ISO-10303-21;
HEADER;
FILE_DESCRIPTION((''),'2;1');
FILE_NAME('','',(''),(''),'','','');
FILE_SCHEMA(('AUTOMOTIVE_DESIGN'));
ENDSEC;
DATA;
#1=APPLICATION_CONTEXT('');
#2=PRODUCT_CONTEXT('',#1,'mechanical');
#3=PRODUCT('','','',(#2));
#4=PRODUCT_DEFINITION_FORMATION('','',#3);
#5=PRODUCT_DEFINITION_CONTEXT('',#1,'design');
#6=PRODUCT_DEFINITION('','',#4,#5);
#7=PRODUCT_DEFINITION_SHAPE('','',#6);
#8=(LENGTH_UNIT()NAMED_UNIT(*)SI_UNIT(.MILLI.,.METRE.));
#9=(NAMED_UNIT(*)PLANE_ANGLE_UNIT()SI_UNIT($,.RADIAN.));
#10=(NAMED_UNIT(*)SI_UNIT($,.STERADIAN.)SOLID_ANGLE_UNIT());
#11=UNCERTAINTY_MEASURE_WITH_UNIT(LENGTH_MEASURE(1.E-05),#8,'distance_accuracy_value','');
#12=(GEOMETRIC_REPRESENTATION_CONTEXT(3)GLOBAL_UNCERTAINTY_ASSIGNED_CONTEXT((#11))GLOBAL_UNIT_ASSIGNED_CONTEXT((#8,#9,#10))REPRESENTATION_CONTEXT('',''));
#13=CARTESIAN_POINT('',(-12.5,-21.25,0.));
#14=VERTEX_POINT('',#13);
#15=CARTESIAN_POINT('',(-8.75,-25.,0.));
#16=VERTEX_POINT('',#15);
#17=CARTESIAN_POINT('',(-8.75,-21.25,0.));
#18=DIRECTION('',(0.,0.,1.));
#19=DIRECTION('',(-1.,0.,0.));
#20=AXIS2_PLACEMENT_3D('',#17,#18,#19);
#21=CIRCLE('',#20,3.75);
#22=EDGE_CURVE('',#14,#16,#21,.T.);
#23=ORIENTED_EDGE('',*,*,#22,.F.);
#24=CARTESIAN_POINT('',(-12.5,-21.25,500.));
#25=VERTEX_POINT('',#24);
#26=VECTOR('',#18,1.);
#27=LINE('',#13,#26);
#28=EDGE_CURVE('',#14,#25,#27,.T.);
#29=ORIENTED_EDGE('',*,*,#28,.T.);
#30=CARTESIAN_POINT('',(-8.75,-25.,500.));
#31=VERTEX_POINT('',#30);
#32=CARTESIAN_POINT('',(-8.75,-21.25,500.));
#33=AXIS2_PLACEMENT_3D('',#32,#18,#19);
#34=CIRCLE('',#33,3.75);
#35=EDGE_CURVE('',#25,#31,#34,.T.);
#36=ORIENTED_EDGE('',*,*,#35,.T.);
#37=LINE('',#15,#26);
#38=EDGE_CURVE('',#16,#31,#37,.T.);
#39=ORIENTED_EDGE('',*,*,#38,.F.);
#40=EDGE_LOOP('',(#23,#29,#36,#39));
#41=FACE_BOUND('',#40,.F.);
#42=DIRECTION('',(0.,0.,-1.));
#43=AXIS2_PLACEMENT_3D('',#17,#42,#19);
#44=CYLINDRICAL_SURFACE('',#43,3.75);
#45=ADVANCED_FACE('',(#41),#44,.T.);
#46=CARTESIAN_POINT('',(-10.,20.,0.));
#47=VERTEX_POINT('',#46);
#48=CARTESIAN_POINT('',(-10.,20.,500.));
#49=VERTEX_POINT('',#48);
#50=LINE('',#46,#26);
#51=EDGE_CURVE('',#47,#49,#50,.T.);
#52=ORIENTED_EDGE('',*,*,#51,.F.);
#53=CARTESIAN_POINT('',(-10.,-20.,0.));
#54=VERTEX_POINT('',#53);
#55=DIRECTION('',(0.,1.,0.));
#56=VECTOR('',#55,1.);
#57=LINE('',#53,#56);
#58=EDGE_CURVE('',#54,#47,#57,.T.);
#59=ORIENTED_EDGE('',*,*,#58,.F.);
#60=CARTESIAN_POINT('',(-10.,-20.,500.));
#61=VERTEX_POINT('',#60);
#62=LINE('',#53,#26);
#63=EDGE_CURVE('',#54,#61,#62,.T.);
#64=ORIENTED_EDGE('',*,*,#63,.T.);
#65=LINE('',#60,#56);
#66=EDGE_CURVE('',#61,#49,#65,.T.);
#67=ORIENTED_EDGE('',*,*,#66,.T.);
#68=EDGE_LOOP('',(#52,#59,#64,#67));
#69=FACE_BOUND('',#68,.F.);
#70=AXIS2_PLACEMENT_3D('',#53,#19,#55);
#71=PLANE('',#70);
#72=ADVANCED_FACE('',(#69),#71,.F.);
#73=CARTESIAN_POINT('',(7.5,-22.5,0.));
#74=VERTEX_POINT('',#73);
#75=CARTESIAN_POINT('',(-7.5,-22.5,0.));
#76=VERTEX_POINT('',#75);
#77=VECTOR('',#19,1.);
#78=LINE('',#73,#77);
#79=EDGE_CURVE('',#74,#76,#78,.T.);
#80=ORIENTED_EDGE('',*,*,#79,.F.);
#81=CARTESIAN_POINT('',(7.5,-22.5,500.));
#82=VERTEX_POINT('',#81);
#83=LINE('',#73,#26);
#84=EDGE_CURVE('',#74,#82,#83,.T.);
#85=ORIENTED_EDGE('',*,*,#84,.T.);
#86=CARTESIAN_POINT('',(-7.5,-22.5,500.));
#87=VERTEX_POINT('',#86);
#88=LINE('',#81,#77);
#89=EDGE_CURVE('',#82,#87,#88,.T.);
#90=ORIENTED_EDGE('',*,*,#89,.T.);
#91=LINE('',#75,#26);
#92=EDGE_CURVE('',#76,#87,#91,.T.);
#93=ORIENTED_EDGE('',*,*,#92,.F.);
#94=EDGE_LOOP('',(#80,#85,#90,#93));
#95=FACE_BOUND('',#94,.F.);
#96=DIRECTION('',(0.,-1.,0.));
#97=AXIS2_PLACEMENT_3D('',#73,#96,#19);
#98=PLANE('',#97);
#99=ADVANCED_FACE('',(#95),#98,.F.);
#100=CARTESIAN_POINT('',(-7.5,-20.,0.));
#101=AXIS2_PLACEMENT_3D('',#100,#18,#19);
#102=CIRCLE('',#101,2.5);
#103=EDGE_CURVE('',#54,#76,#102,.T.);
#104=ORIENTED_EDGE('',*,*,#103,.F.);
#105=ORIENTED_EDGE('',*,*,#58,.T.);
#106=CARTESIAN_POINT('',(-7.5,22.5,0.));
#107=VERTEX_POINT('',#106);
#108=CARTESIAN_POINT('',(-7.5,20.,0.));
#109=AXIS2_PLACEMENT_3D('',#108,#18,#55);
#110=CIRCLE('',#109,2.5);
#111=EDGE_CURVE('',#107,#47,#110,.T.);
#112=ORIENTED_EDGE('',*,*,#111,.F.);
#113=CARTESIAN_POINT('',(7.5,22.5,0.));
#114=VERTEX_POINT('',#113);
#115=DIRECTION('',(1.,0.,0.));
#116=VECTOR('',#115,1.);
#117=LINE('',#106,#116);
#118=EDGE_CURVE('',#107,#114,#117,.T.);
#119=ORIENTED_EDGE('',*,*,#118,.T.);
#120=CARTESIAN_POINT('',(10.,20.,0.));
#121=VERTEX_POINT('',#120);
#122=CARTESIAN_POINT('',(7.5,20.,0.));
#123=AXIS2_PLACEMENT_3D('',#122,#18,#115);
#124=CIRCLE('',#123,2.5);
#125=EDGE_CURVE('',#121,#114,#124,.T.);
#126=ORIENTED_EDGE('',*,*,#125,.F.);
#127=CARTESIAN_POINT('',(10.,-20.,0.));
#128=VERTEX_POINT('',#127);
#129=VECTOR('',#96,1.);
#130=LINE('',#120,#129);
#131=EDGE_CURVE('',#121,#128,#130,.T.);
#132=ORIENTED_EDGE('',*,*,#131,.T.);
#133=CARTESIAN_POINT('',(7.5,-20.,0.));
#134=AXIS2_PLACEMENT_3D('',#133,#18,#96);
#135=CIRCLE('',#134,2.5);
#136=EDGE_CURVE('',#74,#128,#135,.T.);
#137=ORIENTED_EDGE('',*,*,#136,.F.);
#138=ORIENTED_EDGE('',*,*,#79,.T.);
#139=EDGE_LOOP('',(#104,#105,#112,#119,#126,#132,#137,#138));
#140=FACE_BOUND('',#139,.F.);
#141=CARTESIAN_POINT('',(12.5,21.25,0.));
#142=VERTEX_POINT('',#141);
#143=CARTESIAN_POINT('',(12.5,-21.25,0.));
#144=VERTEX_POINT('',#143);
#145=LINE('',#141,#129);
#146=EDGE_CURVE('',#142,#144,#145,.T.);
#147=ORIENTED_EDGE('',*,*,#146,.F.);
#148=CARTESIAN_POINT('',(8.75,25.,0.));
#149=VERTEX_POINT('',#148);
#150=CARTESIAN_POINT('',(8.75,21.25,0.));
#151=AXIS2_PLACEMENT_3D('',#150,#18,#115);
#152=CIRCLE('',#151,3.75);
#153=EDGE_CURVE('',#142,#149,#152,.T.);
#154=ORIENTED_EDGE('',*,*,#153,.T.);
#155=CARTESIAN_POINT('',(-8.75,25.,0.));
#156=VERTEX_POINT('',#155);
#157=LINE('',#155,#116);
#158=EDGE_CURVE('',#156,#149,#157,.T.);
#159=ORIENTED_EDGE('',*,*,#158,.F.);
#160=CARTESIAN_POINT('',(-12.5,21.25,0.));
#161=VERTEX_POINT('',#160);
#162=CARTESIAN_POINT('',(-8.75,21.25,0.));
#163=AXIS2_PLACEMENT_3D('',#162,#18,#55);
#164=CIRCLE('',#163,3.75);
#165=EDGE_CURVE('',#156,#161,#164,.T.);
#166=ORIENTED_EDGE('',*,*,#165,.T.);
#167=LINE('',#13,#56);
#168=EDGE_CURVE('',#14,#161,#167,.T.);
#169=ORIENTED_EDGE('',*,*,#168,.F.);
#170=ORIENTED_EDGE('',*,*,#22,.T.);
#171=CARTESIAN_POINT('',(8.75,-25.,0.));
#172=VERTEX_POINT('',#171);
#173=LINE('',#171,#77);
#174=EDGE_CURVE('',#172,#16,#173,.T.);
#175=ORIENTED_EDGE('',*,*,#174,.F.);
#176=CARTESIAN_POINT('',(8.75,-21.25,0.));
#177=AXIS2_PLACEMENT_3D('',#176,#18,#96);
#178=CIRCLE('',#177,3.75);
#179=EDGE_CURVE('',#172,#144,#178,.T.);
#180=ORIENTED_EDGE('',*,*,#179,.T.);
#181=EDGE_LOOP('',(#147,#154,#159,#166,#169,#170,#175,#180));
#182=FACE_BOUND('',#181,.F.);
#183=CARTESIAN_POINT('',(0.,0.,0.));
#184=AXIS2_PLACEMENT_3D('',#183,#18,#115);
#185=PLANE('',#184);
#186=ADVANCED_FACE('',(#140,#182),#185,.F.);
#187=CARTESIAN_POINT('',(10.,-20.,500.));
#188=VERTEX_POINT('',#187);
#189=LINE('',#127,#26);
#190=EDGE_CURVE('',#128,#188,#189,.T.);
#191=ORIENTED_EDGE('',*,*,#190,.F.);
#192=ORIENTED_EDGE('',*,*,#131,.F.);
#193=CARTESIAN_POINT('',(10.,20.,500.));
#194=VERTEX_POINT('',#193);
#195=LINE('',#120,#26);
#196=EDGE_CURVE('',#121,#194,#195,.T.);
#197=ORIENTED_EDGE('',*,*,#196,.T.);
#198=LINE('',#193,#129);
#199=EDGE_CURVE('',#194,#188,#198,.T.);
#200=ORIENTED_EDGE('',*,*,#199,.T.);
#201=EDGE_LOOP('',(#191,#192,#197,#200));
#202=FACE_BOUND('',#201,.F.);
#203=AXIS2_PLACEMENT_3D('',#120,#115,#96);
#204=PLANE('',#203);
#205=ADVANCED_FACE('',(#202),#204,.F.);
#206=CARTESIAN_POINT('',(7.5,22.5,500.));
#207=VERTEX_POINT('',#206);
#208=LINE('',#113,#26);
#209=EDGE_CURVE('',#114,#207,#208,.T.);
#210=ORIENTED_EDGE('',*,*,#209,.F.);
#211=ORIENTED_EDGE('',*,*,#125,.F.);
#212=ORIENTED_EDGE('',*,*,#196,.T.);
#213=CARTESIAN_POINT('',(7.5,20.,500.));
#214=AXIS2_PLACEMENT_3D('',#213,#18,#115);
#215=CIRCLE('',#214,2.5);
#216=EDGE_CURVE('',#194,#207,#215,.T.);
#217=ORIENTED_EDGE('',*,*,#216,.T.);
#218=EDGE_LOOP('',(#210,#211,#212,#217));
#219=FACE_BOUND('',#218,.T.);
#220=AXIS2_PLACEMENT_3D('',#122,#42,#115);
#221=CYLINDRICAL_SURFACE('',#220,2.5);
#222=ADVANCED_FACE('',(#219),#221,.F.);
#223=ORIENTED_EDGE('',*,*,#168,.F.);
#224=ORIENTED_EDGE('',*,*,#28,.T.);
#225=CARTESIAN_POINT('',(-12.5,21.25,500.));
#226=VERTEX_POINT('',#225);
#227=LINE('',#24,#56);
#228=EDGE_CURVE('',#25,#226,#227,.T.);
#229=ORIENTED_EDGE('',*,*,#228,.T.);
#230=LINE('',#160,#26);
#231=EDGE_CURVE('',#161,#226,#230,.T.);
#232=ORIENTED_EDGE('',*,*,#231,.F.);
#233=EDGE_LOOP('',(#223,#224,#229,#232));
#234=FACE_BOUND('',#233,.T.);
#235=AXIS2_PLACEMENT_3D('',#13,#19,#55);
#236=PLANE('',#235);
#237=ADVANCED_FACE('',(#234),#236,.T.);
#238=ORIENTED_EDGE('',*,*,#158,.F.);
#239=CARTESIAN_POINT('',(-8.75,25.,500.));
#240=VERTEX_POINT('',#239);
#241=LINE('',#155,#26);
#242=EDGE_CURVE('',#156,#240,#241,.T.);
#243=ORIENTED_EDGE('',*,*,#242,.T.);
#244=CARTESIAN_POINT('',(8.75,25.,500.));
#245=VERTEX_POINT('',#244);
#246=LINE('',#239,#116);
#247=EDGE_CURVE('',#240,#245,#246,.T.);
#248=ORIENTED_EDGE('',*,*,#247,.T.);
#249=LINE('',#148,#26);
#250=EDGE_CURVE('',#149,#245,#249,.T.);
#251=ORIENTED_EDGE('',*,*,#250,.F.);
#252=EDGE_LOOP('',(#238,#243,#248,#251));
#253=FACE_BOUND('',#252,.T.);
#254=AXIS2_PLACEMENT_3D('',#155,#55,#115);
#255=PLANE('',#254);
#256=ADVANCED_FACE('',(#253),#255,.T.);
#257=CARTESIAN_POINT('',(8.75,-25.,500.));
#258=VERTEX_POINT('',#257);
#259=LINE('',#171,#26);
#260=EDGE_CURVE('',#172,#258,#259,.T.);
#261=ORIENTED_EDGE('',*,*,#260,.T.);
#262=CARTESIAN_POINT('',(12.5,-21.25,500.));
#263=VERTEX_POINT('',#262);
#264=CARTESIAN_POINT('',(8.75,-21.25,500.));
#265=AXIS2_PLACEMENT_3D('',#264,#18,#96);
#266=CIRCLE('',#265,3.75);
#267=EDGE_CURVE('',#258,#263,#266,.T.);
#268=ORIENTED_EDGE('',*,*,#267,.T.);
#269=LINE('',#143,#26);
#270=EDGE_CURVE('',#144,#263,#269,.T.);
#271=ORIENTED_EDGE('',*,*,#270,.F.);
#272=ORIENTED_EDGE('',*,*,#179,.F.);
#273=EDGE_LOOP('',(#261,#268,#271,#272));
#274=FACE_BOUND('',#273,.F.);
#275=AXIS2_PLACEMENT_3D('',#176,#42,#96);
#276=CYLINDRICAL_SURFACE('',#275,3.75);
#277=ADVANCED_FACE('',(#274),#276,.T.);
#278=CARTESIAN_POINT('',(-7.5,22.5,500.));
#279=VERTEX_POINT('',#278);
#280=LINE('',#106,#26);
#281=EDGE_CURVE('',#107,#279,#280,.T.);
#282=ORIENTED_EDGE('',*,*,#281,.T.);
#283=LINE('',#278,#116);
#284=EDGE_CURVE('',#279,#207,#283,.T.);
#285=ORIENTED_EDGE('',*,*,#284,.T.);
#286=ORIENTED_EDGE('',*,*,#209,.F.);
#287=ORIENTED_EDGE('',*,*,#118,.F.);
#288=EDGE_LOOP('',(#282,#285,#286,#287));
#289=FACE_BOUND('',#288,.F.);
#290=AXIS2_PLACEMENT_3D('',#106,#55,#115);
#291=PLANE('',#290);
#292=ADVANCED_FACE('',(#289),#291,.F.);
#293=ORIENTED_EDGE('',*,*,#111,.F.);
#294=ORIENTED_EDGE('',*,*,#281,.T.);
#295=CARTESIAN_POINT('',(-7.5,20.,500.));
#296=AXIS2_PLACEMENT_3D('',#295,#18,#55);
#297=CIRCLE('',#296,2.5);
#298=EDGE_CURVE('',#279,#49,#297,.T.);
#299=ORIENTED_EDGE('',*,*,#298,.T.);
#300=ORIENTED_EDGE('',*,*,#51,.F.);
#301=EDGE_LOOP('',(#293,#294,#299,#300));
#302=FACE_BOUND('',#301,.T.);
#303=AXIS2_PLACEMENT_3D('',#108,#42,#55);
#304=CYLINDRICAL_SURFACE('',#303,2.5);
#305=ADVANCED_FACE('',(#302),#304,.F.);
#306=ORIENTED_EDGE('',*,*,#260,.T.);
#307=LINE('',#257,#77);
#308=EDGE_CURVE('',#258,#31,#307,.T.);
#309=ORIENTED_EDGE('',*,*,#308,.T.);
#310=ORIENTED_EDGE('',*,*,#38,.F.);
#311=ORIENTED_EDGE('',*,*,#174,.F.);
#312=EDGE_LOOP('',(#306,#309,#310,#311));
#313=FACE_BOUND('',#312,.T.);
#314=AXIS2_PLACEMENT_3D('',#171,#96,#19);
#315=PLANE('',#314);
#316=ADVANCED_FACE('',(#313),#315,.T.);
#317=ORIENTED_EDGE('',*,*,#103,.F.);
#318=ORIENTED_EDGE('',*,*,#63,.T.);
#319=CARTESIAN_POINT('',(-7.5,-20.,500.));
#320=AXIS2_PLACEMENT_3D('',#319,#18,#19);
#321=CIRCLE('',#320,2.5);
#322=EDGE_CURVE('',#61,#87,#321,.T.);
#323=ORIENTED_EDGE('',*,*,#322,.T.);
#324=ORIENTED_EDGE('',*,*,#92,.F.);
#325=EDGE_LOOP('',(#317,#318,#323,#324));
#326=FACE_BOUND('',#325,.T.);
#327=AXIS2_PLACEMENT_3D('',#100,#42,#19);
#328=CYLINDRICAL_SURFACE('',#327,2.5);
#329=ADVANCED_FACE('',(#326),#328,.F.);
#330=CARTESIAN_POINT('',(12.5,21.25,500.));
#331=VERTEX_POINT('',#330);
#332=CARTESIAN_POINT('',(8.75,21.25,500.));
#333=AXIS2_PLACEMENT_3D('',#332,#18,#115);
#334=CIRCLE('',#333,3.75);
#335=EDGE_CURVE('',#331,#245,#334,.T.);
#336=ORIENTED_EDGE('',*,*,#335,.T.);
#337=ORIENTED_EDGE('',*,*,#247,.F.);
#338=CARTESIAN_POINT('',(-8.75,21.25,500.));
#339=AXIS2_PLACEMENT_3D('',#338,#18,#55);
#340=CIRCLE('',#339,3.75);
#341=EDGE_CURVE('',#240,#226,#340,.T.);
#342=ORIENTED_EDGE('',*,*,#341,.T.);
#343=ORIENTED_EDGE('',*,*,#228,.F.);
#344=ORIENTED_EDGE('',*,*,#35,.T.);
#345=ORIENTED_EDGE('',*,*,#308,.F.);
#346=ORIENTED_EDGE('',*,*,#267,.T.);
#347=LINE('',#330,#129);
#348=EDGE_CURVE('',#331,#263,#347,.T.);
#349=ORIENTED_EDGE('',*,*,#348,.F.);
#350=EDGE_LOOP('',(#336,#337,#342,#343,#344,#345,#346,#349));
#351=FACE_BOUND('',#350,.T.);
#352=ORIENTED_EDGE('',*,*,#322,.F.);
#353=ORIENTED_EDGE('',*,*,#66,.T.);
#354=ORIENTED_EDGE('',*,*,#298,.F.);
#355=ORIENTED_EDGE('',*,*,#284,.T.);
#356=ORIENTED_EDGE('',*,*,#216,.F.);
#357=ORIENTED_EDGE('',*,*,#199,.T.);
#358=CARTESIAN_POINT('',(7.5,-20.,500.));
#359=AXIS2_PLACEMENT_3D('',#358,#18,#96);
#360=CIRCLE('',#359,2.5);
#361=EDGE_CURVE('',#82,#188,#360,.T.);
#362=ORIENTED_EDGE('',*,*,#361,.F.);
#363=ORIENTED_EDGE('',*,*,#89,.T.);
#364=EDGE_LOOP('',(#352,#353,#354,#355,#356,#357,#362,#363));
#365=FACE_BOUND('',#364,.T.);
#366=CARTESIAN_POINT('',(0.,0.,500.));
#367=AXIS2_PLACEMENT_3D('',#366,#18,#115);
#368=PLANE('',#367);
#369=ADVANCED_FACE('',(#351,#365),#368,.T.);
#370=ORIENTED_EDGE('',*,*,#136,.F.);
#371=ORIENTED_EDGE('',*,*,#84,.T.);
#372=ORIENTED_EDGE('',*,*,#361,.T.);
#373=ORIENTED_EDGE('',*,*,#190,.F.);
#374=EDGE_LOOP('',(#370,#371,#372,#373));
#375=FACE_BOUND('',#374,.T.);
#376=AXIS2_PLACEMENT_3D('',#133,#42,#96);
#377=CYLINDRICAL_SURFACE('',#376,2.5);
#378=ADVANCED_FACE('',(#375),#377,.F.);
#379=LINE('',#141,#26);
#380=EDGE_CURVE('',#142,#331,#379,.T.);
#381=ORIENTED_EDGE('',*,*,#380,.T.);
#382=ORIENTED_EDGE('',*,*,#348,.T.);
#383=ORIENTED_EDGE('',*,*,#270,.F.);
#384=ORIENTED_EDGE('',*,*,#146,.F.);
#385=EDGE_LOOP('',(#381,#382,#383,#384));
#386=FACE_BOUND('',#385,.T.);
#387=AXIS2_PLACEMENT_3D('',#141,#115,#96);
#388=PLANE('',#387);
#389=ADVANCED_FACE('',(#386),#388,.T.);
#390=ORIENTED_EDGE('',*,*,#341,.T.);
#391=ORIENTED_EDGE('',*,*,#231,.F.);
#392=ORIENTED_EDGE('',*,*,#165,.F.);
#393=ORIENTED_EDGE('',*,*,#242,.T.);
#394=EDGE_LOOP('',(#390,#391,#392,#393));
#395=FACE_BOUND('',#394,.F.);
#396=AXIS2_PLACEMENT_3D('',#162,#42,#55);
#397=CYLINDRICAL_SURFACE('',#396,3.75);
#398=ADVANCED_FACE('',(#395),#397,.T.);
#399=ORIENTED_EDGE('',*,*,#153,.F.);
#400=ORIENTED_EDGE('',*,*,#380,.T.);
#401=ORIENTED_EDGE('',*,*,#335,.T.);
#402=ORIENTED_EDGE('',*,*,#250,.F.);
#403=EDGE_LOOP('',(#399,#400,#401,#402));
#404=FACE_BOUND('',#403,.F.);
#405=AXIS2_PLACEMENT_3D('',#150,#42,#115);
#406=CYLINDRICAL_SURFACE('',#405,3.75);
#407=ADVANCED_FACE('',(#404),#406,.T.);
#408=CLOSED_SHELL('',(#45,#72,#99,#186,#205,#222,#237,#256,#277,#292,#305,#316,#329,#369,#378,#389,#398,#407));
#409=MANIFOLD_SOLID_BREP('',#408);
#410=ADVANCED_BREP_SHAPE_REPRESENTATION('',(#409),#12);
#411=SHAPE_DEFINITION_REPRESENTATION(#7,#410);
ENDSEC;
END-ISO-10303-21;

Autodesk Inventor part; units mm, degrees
ref_plane "YZ Plane" through (0, 0, 0) normal (1, 0, 0) x (0, 1, 0)
ref_plane "Plano inicial" through (0, 0, 0) normal (0, 0, 1) x (1, 0, 0)
ref_plane "Plano final" through (0, 0, 500) normal (0, 0, 1) x (1, 0, 0)
sketch "Esboço" plane through (0, 0, 0) normal (0, 0, 1) x (1, 0, 0)
  line L0 (-12.5, -21.25) -> (-12.5, 21.25)
  line L1 (-8.75, 25) -> (8.75, 25)
  line L2 (12.5, 21.25) -> (12.5, -21.25)
  line L3 (8.75, -25) -> (-8.75, -25)
  arc A0 (-12.5, -21.25) -> (-8.75, -25) centre (-8.75, -21.25) ccw
  arc A1 (-8.75, 25) -> (-12.5, 21.25) centre (-8.75, 21.25) ccw
  arc A2 (12.5, 21.25) -> (8.75, 25) centre (8.75, 21.25) ccw
  arc A3 (8.75, -25) -> (12.5, -21.25) centre (8.75, -21.25) ccw
  line L4 (-7.5, 22.5) -> (7.5, 22.5)
  line L5 (10, 20) -> (10, -20)
  line L6 (7.5, -22.5) -> (-7.5, -22.5)
  line L7 (-10, -20) -> (-10, 20)
  line L8 (0, 36.0873) -> (0, -36.0873) construction
  line L9 (-18.5873, 0) -> (18.5873, 0) construction
  arc A4 (-10, -20) -> (-7.5, -22.5) centre (-7.5, -20) ccw
  arc A5 (-7.5, 22.5) -> (-10, 20) centre (-7.5, 20) ccw
  arc A6 (10, 20) -> (7.5, 22.5) centre (7.5, 20) ccw
  arc A7 (7.5, -22.5) -> (10, -20) centre (7.5, -20) ccw
  dimension "d7" = 3.75
  dimension "d10" = 50
  dimension "d11" = 25
  dimension "d12" = 2.5
  dimension "d15" = 25
  dimension "d16" = 12.5
  dimension "d19" = 2.5
  dimension "d20" = 2.5
extrude "Corpo" add sketch "Esboço" along normal up to surface (500 mm away) from surface at 0
sketch "Sketch3" plane through (0, 0, 0) normal (0, 0, 1) x (1, 0, 0)
  line L0 (0, 0) -> (10, 0)
ref_plane "Work Plane3" through (0, 0, 0) normal (0, -1, 0) x (1, 0, 0)
sketch "Sketch4" plane through (0, 0, 0) normal (0, -1, 0) x (1, 0, 0)
  line L0 (-2, 0) -> (12, 0)
  line L1 (-2, 500) -> (12, 500)
  dimension "d18" = 500
equation "\"d7\" = G_IR"
equation "\"d10\" = G_H"
equation "\"d11\" = G_W"
equation "\"d12\" = G_T"
equation "\"d15\" = 0.5 * d10"
equation "\"d16\" = 0.5 * d11"
equation "\"d19\" = G_T"
equation "\"d20\" = G_T"
equation "\"d3\" = G_L"
equation "\"G_W\" = 25"
equation "\"G_H\" = 50"
equation "\"G_T\" = 2.5"
equation "\"G_IR\" = 3.75"
equation "\"G_L\" = d18"
equation "\"G_OFFSET_START\" = 0"
equation "\"G_OFFSET_END\" = 0"
properties part number "EN 10210-2 - 50 x 25 x 2,5 - 500" material "Aço, suave"
